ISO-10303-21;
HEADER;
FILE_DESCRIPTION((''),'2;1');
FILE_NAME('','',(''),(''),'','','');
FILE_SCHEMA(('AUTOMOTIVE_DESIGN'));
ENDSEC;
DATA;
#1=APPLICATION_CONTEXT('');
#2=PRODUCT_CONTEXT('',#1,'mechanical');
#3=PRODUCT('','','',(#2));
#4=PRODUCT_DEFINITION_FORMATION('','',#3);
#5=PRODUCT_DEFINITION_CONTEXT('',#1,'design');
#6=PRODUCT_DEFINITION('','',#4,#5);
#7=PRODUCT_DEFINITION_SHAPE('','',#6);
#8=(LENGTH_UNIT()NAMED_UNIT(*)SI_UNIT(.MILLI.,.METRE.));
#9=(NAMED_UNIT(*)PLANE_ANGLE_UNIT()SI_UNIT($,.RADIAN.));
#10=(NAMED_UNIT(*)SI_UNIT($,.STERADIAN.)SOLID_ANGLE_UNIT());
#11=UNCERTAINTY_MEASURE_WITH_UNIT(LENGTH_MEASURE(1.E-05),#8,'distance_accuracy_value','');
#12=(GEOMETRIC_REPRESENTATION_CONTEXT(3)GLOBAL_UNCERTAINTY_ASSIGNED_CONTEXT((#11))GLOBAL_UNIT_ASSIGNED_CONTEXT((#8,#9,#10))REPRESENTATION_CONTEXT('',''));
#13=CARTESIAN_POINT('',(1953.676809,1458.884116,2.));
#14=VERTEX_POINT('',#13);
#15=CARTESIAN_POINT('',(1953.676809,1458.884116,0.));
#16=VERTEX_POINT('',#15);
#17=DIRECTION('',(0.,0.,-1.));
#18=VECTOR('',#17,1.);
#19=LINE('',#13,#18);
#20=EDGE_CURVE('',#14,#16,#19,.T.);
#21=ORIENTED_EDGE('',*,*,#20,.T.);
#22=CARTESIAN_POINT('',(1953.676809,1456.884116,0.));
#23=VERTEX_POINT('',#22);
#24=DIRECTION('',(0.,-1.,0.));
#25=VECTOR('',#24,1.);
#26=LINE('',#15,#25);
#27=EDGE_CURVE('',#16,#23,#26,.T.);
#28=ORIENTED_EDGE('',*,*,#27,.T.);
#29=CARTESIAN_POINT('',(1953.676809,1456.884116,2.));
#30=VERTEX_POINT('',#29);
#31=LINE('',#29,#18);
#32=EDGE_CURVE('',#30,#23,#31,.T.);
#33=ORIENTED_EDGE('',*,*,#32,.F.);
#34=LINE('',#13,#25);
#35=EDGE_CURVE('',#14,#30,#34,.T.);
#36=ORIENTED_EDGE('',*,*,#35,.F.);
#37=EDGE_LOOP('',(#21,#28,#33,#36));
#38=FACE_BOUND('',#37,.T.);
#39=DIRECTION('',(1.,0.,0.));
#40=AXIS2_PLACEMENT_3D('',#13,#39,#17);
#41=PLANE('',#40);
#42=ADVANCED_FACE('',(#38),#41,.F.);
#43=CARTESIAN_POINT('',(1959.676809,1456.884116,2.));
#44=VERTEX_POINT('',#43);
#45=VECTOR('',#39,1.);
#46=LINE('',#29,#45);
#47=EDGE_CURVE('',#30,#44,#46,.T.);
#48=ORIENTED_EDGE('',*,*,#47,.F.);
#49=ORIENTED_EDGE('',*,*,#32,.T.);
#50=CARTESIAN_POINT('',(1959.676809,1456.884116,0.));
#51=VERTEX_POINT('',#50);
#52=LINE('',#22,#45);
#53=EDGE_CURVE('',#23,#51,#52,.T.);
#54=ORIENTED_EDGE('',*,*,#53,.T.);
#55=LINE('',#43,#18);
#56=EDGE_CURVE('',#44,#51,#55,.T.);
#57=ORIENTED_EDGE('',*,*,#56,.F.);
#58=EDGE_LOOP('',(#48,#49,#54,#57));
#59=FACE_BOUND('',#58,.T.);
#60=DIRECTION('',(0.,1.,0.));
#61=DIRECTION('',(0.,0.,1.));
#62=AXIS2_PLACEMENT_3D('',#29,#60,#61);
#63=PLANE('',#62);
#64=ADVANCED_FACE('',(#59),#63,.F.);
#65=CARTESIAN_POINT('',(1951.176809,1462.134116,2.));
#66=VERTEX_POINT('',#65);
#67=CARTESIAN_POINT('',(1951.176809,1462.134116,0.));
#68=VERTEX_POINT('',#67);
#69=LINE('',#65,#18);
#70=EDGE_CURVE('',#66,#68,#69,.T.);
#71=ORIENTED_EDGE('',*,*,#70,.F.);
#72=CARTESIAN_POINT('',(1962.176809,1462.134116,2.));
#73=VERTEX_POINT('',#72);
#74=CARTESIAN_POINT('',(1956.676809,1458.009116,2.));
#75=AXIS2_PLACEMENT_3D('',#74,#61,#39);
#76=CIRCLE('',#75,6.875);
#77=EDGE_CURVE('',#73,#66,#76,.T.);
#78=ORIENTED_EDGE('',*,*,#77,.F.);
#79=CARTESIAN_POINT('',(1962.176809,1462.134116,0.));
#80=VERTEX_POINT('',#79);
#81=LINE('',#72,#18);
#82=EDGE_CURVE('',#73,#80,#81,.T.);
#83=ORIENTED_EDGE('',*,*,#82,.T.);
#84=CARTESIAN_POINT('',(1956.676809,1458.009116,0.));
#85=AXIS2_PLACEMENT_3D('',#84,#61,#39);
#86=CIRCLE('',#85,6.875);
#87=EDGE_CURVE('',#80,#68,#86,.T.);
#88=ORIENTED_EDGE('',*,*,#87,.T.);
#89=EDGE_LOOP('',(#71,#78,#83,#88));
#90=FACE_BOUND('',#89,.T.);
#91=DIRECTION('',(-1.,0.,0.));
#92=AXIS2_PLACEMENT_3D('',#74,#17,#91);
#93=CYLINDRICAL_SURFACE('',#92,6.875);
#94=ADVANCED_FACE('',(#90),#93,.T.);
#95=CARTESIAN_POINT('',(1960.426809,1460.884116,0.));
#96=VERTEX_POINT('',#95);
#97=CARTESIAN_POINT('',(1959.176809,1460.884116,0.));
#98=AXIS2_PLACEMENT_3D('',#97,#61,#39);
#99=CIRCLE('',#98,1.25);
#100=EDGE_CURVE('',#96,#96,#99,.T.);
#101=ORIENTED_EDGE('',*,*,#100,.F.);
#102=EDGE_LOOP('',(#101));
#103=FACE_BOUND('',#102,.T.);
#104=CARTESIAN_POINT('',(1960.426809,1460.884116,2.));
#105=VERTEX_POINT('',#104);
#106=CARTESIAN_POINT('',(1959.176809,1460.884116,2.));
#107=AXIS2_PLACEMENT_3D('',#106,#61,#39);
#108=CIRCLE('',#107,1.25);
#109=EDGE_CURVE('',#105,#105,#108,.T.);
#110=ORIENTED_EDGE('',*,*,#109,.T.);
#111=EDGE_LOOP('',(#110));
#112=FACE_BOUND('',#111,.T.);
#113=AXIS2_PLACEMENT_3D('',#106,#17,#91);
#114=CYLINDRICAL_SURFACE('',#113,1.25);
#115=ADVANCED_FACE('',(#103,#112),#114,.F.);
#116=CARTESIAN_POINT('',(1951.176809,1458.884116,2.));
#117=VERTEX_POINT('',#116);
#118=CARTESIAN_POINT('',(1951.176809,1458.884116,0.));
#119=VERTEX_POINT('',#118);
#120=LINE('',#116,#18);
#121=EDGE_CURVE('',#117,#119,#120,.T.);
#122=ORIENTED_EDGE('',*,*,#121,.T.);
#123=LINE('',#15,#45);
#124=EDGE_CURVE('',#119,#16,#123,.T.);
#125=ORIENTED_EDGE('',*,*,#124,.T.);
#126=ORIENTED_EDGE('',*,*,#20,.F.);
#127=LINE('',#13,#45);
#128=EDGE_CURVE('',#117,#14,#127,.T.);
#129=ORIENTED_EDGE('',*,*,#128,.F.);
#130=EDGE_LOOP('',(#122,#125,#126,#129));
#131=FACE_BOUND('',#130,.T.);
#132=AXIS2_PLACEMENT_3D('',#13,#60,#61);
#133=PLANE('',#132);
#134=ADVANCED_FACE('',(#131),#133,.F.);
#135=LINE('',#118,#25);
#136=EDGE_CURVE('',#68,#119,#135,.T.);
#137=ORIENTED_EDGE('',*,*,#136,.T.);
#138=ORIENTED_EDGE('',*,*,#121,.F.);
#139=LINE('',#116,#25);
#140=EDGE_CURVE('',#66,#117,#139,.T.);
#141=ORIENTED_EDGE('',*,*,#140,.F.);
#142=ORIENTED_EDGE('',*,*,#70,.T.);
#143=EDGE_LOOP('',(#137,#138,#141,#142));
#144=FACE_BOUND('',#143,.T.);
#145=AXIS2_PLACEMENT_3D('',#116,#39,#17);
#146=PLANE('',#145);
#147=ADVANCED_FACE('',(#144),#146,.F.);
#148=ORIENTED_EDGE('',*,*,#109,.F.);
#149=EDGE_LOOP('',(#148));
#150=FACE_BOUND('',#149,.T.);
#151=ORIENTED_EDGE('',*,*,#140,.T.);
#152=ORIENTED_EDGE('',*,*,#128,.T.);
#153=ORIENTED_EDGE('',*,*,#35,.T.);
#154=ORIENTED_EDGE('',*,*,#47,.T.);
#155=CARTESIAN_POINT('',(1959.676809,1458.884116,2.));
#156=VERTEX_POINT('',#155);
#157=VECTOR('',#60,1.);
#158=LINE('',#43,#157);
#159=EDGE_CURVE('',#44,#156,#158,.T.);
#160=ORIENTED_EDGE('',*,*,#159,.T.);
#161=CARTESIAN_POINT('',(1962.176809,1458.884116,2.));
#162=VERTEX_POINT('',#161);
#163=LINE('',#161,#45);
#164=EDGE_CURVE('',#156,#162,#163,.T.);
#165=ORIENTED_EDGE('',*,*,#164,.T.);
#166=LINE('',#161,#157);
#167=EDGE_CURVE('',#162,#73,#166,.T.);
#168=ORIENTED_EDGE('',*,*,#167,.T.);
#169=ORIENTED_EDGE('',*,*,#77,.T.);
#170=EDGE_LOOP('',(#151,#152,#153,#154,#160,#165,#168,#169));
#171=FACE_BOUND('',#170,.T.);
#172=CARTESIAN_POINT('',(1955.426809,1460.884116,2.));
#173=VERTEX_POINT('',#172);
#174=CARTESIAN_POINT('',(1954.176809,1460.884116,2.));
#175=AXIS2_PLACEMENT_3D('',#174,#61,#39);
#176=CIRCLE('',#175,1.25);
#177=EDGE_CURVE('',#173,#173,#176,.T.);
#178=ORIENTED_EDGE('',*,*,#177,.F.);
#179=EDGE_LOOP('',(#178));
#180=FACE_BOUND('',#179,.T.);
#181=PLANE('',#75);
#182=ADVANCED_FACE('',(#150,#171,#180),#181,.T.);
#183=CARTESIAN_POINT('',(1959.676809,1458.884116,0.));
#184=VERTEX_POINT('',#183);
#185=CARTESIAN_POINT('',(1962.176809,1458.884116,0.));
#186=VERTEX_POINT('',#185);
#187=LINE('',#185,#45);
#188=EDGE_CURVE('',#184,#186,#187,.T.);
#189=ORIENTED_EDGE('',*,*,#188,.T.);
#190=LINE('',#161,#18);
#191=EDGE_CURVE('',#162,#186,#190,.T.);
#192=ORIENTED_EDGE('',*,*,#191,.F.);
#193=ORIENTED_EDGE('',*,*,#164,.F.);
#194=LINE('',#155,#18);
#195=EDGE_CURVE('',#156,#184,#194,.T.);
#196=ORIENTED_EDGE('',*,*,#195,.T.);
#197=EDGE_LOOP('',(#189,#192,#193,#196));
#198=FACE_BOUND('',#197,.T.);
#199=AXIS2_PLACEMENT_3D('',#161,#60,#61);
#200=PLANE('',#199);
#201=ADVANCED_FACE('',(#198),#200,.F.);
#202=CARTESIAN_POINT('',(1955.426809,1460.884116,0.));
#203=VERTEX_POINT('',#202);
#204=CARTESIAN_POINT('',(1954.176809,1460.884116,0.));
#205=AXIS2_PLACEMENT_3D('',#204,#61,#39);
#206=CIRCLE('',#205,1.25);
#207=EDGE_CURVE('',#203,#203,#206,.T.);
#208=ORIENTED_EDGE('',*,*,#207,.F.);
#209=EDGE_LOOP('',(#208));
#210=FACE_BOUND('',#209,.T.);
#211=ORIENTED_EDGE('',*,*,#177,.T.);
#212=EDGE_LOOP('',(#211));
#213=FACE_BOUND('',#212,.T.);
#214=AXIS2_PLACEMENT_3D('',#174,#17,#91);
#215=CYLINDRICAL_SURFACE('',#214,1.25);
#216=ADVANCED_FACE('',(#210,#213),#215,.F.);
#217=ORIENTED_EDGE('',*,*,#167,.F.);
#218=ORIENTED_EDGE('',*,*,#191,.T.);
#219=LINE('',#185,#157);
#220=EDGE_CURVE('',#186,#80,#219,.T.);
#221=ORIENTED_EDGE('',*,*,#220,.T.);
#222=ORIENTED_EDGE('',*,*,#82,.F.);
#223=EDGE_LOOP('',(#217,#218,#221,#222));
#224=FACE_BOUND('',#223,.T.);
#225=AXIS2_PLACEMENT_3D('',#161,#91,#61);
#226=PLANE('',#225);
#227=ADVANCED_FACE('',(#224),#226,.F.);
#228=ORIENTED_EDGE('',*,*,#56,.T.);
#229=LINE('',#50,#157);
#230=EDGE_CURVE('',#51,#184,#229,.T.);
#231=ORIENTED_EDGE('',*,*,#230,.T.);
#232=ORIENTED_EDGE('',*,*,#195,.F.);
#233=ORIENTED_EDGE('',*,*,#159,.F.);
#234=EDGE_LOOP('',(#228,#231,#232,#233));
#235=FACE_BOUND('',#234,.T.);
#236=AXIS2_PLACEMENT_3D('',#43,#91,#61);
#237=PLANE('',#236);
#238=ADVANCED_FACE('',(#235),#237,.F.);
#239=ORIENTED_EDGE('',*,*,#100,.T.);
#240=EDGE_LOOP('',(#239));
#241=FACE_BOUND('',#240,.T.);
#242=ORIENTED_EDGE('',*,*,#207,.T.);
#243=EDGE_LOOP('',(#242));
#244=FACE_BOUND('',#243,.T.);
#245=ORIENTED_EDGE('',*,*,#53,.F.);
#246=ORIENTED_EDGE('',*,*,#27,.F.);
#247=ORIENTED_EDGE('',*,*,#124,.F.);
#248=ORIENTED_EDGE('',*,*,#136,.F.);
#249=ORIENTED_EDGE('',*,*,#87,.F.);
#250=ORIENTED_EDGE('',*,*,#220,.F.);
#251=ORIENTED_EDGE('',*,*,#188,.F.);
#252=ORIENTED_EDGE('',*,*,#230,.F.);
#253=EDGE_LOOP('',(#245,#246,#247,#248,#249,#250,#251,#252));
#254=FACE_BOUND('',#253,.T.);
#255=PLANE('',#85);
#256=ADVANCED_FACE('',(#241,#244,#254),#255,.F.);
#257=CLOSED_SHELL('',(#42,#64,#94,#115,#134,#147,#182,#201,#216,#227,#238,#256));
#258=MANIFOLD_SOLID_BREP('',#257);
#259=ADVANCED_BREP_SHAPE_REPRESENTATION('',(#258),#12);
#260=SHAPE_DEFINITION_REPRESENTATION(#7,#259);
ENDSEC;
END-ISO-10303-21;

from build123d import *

# Parameters (mm, degrees)
MODEL_R             = 1.25
BOSS_EXTRUDE1_DEPTH = 2


with BuildPart() as part:
    # Model → Boss-Extrude1 (new body)
    with BuildSketch(Plane.XY):
        with BuildLine():
            Line((1953.676808721, 1458.884115951), (1951.176808721, 1458.884115951))
            Line((1951.176808721, 1458.884115951), (1951.176808721, 1462.134115951))
            ThreePointArc((1951.176808721, 1462.134115951), (1956.676808721, 1464.884115951), (1962.176808721, 1462.134115951))
            Line((1962.176808721, 1462.134115951), (1962.176808721, 1458.884115951))
            Line((1962.176808721, 1458.884115951), (1959.676808721, 1458.884115951))
            Line((1959.676808721, 1458.884115951), (1959.676808721, 1456.884115951))
            Line((1959.676808721, 1456.884115951), (1953.676808721, 1456.884115951))
            Line((1953.676808721, 1456.884115951), (1953.676808721, 1458.884115951))
        make_face()
        with Locations((1959.176808721, 1460.884115951)):
            Circle(MODEL_R, mode=Mode.SUBTRACT)
        with Locations((1954.176808721, 1460.884115951)):
            Circle(MODEL_R, mode=Mode.SUBTRACT)
    extrude(amount=BOSS_EXTRUDE1_DEPTH)


solid = part.part
